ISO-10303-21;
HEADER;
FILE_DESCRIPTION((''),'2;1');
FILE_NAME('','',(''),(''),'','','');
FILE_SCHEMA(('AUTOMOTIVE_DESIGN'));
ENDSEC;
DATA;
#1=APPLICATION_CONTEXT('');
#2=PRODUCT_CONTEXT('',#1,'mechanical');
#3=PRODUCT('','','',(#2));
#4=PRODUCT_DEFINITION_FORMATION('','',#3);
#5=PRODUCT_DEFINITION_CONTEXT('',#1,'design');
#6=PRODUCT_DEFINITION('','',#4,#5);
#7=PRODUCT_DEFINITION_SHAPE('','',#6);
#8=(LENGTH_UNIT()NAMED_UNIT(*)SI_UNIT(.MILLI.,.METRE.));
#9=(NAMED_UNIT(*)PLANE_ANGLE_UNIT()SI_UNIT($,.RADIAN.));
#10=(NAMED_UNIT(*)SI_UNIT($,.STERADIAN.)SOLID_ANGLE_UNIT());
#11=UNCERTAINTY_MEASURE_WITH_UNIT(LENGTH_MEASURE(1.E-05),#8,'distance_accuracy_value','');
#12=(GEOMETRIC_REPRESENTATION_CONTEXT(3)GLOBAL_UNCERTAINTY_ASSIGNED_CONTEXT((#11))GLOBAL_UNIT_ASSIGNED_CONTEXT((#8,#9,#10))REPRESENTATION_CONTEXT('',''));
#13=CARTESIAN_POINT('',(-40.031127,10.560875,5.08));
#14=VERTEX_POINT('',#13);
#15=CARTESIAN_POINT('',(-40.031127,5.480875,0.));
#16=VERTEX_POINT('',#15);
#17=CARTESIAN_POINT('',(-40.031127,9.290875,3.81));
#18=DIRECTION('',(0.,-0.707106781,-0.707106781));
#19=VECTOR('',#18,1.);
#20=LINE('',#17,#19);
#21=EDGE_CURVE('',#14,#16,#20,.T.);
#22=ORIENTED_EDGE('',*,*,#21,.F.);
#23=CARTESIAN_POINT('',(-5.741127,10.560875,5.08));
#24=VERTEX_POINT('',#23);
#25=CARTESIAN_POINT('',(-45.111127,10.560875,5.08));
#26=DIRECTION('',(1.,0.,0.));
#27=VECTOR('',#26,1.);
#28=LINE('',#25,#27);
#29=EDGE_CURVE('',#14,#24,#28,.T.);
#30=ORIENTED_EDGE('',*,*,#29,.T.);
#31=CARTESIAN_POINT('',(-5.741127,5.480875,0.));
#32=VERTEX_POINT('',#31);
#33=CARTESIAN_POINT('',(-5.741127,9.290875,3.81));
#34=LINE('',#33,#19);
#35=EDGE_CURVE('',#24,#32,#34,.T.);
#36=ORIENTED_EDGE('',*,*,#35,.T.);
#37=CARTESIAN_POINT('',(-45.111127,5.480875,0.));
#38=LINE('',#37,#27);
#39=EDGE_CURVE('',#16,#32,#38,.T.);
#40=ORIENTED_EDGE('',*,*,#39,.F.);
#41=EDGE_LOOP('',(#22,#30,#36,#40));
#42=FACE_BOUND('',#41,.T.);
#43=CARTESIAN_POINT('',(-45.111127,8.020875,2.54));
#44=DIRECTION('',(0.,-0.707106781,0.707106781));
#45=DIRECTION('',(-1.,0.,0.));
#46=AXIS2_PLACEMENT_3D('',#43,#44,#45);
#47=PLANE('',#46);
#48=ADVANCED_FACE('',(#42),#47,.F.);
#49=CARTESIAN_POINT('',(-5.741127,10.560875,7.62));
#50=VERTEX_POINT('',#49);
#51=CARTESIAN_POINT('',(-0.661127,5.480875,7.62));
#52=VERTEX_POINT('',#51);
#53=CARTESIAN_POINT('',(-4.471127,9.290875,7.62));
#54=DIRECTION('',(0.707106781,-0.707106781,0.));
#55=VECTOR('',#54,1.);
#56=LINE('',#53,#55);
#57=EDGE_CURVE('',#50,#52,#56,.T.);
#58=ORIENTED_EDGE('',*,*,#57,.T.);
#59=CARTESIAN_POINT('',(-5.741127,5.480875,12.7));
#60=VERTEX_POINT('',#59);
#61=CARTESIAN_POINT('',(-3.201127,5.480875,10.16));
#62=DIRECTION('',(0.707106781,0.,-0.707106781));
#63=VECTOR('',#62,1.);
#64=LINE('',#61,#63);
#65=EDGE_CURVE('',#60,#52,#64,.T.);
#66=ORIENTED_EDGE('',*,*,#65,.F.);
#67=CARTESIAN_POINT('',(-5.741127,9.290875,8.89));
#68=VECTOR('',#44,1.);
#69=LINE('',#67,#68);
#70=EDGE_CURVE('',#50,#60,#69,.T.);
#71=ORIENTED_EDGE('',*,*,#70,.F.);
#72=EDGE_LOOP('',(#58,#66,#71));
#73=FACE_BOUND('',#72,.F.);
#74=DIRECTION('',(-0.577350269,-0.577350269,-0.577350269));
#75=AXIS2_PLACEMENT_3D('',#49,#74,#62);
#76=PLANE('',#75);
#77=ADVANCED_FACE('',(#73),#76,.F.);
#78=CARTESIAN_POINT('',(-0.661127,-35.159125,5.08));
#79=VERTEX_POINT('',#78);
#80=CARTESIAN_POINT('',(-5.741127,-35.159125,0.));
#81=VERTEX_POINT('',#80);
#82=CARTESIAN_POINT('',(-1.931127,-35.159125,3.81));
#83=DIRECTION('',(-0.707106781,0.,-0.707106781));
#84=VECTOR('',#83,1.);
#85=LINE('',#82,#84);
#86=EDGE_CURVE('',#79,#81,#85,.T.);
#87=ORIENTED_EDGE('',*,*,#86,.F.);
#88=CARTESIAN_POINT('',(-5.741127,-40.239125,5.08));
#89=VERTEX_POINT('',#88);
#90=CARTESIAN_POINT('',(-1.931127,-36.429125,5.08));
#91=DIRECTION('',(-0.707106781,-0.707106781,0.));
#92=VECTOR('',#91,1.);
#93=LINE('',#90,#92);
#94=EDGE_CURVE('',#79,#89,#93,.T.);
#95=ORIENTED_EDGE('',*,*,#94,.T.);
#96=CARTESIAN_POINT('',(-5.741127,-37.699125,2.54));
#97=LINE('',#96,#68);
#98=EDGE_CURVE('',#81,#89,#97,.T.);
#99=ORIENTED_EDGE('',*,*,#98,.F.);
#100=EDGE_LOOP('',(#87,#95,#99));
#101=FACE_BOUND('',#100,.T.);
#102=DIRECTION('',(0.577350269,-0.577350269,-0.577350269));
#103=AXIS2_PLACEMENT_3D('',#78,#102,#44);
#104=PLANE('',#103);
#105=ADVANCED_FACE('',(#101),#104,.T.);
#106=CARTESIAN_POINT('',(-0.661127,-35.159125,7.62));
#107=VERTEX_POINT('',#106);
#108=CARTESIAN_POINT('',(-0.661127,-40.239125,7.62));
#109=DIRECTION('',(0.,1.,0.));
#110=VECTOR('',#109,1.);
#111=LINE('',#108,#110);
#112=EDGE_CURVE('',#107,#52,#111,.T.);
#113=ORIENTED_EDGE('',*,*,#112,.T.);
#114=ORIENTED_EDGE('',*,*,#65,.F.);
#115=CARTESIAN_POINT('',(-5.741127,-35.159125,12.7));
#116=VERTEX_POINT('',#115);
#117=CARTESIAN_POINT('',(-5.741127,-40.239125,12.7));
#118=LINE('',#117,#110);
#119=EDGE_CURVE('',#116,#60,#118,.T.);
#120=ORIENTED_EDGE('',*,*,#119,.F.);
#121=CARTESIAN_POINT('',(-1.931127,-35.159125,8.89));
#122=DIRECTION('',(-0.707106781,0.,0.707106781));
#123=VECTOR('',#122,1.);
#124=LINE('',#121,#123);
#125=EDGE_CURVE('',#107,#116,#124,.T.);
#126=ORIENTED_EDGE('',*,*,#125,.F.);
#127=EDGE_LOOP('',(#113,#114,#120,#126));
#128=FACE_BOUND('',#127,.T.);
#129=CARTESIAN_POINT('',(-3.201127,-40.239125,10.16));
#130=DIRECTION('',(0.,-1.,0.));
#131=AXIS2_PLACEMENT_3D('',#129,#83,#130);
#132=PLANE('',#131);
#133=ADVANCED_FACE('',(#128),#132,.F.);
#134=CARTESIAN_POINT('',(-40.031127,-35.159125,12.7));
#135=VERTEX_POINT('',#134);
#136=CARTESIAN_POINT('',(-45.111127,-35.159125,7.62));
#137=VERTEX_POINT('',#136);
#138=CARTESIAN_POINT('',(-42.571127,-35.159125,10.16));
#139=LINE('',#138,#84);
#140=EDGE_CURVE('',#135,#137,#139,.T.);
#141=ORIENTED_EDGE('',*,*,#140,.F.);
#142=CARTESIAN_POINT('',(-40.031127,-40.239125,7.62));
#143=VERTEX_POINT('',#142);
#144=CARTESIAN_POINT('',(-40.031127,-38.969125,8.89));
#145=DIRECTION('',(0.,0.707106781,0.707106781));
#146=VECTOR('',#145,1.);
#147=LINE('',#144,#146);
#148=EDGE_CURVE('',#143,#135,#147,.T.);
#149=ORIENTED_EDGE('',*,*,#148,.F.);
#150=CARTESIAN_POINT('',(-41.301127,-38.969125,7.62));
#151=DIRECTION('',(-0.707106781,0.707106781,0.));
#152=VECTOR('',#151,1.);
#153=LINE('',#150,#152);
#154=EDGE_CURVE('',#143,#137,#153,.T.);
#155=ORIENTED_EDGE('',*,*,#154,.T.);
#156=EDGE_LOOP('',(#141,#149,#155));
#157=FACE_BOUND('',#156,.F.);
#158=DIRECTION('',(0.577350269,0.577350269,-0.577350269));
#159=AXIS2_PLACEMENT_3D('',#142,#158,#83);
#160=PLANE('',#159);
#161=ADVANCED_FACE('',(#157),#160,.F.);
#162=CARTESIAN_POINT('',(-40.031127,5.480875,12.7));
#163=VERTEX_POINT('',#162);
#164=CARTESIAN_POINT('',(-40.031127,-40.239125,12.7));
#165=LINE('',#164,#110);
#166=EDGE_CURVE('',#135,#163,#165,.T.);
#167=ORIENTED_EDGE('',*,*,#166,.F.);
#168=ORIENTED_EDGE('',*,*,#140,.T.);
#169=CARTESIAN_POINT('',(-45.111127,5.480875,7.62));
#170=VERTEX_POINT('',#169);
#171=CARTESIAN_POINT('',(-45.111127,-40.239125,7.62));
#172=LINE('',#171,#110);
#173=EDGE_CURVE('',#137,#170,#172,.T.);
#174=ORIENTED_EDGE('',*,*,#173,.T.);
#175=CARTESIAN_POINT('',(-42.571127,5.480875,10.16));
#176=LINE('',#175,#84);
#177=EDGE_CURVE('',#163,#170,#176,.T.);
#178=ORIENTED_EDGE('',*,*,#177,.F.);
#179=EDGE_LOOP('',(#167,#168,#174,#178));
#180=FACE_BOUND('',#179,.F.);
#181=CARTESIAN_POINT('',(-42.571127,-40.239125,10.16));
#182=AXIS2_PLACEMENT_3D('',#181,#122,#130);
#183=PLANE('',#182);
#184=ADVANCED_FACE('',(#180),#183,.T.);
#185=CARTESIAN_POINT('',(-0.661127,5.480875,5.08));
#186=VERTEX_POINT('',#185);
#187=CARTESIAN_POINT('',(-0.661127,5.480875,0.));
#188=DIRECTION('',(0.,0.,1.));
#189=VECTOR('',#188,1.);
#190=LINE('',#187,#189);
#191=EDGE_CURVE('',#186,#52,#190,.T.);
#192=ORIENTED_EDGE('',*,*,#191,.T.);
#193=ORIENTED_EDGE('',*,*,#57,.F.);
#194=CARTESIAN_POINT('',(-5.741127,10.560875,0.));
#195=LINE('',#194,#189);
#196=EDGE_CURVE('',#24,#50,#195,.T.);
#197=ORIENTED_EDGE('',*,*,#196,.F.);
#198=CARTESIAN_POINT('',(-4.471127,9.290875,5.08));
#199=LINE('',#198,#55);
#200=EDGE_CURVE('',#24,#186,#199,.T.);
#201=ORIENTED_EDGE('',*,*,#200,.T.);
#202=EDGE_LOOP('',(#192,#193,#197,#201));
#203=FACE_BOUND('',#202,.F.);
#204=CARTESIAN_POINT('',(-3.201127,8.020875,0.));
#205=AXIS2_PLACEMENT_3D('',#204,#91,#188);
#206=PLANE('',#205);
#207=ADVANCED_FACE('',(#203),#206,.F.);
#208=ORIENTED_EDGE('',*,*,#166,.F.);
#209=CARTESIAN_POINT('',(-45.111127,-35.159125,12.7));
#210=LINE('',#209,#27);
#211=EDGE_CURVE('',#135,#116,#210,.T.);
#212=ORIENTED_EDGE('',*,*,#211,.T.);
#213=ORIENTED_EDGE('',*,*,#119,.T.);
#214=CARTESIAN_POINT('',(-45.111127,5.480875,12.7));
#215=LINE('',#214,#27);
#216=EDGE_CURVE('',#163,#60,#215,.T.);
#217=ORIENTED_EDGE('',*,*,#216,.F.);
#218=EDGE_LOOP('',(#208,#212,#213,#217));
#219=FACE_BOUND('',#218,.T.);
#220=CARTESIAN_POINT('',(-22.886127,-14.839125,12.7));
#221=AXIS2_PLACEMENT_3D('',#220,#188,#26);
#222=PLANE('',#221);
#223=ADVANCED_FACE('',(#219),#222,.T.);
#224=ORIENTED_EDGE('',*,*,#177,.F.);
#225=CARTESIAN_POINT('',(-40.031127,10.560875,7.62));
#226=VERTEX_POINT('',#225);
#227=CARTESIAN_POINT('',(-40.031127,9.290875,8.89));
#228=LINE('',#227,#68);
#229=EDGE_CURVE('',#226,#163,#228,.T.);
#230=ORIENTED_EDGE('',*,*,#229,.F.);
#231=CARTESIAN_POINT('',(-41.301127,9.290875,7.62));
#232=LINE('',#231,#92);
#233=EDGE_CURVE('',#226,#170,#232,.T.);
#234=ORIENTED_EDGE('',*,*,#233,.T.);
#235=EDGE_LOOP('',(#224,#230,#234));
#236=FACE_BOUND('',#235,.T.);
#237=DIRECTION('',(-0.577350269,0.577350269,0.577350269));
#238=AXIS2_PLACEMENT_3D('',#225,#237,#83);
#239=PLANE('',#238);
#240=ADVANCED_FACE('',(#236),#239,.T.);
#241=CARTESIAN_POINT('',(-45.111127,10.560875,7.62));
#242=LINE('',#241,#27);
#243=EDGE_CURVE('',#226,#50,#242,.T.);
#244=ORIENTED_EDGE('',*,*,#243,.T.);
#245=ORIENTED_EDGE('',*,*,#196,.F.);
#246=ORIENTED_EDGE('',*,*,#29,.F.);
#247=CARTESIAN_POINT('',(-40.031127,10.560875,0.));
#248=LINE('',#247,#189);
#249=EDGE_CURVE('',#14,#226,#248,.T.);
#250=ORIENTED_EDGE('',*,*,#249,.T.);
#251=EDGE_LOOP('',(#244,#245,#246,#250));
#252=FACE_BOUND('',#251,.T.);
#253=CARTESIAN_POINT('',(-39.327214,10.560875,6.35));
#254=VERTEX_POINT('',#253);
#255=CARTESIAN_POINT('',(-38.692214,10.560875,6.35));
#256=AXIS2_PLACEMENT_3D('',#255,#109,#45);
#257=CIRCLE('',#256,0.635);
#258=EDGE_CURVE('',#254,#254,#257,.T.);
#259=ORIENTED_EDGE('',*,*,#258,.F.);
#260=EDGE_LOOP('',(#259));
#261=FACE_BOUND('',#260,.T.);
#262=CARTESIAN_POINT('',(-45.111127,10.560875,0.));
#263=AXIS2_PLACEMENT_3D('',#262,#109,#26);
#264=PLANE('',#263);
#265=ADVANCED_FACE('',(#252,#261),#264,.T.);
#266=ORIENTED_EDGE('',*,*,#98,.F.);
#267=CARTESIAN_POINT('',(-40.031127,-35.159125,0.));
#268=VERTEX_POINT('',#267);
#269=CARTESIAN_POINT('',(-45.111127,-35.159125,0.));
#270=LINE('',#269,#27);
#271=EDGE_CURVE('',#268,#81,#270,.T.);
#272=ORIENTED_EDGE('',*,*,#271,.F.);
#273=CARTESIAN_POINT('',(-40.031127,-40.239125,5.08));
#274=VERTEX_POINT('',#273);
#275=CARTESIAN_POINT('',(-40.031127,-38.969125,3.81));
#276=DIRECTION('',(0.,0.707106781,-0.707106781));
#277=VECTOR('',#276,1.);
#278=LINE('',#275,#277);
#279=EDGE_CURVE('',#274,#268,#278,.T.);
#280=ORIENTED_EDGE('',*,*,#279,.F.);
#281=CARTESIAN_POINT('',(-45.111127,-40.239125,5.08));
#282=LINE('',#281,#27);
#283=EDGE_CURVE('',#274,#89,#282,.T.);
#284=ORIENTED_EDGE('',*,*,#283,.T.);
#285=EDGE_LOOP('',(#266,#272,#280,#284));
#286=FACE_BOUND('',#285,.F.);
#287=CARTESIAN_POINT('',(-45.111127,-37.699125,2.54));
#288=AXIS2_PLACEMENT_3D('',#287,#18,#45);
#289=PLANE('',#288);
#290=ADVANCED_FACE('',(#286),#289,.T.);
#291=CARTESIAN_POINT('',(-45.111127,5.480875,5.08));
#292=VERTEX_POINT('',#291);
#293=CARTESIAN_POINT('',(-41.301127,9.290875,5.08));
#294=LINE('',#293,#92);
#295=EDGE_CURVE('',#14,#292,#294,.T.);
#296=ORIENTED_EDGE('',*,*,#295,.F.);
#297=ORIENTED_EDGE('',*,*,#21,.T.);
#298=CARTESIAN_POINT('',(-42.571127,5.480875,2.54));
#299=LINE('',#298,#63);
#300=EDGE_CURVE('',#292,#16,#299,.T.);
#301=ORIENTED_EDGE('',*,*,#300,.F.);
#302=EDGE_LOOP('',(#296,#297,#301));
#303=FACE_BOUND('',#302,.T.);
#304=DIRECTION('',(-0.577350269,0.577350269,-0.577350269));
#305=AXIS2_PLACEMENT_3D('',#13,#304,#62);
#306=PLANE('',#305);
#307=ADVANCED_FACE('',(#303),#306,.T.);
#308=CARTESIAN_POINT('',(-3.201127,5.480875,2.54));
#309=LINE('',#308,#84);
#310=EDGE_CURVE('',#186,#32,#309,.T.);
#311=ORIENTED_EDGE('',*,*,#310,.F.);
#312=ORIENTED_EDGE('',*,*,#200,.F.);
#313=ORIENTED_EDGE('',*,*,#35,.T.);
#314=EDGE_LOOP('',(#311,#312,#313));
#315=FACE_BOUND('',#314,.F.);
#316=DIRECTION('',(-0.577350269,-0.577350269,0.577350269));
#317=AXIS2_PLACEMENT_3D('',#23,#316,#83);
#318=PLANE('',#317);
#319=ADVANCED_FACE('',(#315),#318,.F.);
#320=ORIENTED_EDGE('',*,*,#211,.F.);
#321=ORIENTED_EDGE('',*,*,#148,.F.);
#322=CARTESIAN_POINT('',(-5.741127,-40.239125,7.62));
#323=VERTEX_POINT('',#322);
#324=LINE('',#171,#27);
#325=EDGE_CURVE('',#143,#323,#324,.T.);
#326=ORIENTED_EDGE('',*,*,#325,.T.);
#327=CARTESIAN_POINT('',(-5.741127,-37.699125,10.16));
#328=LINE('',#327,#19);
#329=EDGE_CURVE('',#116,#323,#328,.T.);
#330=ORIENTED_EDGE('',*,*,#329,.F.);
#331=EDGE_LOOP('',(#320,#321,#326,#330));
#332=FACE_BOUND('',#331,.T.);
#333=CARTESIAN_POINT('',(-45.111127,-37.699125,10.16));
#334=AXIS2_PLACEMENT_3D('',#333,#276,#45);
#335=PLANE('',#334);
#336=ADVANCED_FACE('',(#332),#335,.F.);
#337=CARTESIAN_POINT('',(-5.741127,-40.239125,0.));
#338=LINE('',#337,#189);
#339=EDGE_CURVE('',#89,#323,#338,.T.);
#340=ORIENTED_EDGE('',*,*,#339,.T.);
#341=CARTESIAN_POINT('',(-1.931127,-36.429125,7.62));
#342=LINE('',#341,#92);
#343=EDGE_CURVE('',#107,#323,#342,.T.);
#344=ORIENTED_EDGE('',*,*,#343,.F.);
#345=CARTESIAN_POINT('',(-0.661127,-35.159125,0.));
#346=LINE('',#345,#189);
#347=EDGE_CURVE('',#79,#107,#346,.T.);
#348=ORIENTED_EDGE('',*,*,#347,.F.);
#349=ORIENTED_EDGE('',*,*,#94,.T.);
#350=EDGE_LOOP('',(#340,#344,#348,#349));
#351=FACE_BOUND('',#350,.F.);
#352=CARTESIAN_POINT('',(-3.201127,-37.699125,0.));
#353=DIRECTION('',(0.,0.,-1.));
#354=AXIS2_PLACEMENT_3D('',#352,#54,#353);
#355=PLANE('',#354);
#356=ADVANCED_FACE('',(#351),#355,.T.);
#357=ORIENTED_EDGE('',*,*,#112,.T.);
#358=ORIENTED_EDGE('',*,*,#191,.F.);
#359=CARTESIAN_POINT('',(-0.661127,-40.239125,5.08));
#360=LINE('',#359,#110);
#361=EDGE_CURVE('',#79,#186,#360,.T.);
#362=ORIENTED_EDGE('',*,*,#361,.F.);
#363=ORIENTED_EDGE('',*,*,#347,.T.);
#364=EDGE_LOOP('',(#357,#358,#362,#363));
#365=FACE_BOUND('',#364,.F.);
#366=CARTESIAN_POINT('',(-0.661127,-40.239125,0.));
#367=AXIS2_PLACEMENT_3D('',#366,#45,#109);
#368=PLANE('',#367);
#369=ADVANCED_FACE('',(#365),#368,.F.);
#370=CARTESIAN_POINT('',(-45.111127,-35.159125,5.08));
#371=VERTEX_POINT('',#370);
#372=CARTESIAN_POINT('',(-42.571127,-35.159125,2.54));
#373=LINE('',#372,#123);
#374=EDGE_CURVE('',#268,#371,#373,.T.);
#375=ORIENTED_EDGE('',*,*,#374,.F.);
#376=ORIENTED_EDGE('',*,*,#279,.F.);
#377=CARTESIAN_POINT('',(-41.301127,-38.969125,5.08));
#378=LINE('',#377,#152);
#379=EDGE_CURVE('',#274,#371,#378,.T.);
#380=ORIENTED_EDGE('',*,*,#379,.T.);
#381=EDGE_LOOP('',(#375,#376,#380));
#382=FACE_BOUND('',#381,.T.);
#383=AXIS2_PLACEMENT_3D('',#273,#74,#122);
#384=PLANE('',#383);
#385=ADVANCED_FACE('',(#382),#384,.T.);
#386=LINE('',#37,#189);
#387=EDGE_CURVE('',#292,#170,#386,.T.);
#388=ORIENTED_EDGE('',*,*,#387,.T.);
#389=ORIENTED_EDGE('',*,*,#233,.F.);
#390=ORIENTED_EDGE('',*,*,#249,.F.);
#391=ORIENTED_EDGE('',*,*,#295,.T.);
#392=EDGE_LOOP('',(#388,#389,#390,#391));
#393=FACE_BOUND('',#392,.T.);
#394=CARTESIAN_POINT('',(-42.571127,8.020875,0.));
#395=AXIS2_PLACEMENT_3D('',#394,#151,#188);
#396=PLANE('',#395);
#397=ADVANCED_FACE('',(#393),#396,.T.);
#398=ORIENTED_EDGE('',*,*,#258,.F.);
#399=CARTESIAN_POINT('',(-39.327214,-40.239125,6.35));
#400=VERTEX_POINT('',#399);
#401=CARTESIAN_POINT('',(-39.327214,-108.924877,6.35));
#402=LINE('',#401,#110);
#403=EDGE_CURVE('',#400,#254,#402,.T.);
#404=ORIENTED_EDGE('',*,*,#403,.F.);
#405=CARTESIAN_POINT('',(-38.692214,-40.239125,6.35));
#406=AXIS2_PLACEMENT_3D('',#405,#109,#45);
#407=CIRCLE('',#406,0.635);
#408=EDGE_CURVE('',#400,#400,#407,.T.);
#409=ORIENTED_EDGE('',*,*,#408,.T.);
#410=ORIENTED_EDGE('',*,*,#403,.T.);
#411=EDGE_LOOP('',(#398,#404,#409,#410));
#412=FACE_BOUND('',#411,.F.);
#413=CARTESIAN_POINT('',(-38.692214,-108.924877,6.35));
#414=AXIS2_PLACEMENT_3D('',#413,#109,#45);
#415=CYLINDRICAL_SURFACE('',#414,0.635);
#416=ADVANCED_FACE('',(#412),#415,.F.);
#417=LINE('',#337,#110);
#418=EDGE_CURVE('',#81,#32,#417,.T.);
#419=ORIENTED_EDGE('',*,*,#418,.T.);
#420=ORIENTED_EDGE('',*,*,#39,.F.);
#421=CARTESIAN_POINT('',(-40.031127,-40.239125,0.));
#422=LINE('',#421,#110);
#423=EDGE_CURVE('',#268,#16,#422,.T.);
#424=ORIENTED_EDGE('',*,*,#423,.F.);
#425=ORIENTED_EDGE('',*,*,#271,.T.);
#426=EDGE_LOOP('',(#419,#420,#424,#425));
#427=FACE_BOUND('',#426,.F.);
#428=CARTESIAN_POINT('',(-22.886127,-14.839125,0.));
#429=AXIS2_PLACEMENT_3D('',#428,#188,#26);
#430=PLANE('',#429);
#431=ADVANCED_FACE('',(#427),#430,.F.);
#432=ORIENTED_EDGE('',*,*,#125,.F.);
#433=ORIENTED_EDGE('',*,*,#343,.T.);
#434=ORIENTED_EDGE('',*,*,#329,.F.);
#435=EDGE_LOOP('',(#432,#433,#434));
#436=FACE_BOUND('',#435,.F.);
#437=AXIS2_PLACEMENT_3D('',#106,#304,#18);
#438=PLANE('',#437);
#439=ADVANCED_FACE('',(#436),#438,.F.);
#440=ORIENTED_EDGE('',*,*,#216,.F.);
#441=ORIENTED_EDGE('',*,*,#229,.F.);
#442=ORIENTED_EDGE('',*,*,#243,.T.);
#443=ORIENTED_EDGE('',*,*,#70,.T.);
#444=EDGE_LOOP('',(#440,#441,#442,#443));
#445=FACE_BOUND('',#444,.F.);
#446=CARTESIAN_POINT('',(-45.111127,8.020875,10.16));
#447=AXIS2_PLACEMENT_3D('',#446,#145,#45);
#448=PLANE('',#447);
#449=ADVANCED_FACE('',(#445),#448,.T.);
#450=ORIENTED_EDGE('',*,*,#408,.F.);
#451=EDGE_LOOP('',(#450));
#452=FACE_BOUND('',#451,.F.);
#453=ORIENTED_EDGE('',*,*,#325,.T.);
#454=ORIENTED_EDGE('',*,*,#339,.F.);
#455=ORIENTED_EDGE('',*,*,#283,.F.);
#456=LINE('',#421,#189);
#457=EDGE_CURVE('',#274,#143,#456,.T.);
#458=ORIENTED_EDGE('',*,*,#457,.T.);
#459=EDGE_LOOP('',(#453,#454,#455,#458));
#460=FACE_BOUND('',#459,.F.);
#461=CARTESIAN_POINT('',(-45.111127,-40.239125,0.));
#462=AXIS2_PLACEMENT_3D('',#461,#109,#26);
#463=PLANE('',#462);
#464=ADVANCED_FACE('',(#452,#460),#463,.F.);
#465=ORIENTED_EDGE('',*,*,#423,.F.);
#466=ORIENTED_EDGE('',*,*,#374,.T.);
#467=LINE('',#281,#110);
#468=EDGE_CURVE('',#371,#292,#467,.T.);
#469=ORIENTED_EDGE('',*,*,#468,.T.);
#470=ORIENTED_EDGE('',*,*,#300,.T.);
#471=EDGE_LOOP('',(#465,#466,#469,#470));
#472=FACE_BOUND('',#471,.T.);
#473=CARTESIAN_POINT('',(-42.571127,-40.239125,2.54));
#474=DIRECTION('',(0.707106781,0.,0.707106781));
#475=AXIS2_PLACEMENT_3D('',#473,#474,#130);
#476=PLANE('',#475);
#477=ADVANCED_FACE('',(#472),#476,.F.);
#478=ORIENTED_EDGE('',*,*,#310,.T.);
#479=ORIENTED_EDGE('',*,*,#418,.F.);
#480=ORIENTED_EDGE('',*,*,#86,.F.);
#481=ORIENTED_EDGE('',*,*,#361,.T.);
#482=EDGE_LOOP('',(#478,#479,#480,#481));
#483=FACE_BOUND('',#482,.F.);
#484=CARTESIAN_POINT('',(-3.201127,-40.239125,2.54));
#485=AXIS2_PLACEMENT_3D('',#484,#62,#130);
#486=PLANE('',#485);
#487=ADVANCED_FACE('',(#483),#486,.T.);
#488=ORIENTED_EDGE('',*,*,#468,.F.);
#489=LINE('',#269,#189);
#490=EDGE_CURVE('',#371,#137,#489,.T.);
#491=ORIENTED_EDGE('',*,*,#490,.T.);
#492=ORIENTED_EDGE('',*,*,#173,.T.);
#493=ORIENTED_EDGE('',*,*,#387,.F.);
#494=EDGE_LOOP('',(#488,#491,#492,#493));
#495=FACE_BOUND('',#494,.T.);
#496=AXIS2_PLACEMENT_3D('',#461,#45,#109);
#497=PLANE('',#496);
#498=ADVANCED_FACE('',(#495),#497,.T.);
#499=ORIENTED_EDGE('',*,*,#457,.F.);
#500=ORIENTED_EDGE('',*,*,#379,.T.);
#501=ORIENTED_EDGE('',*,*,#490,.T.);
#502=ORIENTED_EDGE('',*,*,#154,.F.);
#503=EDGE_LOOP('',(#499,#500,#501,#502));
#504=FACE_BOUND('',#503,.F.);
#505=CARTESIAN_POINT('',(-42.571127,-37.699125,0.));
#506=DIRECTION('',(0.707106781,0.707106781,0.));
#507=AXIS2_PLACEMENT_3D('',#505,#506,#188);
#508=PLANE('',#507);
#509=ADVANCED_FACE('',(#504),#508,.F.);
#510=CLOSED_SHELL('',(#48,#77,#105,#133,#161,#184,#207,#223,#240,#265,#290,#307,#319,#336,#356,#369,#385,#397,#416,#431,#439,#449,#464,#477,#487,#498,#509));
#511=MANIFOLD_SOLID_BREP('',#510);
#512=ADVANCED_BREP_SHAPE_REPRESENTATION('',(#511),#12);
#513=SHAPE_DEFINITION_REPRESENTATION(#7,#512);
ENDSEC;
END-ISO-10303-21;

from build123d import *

# Parameters (mm, degrees)
F0_W     = 44.45
F0_H     = 50.8
F1_DEPTH = 12.7
F2_SIZE  = 5.08
F4_D     = 1.27


with BuildPart() as f1:
    # F0 (on Top) → F1 (new body)
    with BuildSketch(Plane.XY):
        with Locations((-22.886127, -14.839125)):
            Rectangle(F0_W, F0_H)
    extrude(amount=F1_DEPTH)

    # F2
    f2_edges = [f1.edges().sort_by_distance(p)[0] for p in [
        (-45.111127, -14.839125, 12.7),
        (-22.886127, -40.239125, 12.7),
        (-0.661127, -14.839125, 12.7),
        (-22.886127, 10.560875, 12.7),
        (-45.111127, -14.839125, 0),
        (-22.886127, -40.239125, 0),
        (-0.661127, -14.839125, 0),
        (-0.661127, 10.560875, 6.35),
        (-45.111127, 10.560875, 6.35),
        (-22.886127, 10.560875, 0),
        (-0.661127, -40.239125, 6.35),
        (-45.111127, -40.239125, 6.35),
    ]]
    chamfer(f2_edges, length=F2_SIZE)

    # F4 (through all)
    with Locations(Plane.XZ.offset(40.239125)):
        with Locations((-38.692214, 6.35)):
            Hole(F4_D / 2)


solid = f1.part
